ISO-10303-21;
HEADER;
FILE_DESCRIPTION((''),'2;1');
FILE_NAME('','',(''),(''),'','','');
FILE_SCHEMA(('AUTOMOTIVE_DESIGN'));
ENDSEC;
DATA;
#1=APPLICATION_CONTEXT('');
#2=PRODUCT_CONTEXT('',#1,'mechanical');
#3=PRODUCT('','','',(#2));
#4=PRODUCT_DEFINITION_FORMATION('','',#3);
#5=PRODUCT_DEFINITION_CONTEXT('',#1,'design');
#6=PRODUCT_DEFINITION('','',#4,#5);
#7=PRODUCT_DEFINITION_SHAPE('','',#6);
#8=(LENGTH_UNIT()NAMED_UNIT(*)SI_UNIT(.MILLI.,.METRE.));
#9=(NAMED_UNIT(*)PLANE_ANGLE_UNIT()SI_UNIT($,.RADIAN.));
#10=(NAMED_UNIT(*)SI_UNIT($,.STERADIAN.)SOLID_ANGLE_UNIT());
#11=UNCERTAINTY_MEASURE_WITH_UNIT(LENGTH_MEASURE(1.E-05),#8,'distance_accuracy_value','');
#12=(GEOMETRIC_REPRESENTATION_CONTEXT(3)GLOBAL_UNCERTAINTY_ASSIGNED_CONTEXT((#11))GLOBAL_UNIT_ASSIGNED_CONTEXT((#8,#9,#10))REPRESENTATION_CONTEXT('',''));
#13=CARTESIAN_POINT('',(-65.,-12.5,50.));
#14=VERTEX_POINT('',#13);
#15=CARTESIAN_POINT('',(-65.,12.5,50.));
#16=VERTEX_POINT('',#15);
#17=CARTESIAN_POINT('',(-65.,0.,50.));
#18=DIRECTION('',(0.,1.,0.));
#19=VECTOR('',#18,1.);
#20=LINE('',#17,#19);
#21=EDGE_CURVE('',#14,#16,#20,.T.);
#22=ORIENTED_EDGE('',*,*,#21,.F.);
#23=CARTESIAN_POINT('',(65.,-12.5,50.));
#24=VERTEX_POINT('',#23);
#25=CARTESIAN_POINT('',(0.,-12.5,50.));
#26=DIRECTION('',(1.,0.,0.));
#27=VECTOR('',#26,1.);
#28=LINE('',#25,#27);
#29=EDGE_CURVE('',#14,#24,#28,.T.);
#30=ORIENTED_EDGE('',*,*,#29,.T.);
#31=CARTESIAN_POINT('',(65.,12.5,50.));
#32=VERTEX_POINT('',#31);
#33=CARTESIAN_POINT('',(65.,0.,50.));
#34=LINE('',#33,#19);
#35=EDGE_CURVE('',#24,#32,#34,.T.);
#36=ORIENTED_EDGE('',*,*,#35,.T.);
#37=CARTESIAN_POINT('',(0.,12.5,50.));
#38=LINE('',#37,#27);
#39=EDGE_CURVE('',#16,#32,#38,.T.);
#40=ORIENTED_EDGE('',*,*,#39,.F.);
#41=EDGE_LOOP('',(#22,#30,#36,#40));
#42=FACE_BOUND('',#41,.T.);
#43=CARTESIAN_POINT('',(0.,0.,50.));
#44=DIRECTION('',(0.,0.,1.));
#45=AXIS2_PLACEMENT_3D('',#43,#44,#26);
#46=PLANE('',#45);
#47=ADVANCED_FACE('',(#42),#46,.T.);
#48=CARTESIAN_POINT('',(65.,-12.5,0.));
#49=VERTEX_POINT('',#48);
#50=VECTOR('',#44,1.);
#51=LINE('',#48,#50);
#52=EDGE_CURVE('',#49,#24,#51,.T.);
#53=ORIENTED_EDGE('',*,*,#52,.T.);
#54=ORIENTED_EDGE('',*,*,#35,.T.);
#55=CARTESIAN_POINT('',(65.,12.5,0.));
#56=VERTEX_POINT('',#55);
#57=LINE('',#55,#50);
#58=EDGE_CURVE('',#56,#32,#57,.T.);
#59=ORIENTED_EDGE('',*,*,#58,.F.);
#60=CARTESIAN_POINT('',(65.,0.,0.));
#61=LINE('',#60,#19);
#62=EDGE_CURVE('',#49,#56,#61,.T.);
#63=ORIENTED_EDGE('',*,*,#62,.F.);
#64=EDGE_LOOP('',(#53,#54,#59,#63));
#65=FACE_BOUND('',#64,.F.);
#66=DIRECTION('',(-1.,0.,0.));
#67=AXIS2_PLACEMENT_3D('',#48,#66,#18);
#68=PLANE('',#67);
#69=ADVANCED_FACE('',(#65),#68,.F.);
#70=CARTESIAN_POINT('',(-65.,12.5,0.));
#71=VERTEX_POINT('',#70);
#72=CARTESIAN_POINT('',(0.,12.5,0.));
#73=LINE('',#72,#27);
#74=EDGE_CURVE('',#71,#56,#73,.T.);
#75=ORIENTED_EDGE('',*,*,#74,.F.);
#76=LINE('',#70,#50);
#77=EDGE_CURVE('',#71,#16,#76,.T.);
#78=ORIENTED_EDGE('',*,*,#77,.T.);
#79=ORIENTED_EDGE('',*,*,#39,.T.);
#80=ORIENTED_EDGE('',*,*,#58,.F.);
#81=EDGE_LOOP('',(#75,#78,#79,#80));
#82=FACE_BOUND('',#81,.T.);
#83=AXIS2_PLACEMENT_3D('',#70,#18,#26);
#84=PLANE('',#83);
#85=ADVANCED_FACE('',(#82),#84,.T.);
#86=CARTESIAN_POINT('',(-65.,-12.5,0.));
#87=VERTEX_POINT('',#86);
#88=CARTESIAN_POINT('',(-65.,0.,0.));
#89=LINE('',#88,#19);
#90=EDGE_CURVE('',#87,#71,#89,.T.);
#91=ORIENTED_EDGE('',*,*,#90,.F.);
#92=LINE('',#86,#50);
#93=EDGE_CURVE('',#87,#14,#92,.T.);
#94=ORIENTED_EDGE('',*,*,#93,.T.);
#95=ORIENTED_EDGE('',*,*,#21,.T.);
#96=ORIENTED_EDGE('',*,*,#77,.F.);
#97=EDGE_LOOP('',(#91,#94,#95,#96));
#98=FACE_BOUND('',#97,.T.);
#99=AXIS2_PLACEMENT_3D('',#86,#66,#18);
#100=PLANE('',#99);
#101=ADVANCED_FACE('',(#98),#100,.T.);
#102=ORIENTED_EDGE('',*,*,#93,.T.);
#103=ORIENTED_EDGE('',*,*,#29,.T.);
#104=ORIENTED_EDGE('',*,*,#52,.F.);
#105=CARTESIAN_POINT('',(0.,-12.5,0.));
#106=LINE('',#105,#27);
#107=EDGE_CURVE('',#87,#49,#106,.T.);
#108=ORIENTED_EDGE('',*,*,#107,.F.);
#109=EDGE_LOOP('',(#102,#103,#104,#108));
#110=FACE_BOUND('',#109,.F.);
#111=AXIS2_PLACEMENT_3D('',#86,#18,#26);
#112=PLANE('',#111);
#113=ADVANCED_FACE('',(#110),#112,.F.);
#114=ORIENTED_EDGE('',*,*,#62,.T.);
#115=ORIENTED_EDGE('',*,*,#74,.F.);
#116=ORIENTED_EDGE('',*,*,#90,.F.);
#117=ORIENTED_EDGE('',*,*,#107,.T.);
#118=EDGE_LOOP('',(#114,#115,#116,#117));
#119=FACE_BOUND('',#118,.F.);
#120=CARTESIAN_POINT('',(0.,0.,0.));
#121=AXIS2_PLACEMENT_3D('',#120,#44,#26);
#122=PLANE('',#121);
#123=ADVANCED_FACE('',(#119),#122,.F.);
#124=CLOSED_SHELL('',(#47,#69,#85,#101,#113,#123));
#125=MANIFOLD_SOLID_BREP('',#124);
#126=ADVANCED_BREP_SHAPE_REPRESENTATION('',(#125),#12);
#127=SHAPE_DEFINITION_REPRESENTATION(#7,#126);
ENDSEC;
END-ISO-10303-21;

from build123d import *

# Parameters (mm, degrees)
SKETCH_W      = 130
SKETCH_H      = 25
EXTRUDE_DEPTH = 50


with BuildPart() as part:
    # Sketch → Extrude (new body)
    with BuildSketch(Plane.XY):
        Rectangle(SKETCH_W, SKETCH_H)
    extrude(amount=EXTRUDE_DEPTH)


solid = part.part
